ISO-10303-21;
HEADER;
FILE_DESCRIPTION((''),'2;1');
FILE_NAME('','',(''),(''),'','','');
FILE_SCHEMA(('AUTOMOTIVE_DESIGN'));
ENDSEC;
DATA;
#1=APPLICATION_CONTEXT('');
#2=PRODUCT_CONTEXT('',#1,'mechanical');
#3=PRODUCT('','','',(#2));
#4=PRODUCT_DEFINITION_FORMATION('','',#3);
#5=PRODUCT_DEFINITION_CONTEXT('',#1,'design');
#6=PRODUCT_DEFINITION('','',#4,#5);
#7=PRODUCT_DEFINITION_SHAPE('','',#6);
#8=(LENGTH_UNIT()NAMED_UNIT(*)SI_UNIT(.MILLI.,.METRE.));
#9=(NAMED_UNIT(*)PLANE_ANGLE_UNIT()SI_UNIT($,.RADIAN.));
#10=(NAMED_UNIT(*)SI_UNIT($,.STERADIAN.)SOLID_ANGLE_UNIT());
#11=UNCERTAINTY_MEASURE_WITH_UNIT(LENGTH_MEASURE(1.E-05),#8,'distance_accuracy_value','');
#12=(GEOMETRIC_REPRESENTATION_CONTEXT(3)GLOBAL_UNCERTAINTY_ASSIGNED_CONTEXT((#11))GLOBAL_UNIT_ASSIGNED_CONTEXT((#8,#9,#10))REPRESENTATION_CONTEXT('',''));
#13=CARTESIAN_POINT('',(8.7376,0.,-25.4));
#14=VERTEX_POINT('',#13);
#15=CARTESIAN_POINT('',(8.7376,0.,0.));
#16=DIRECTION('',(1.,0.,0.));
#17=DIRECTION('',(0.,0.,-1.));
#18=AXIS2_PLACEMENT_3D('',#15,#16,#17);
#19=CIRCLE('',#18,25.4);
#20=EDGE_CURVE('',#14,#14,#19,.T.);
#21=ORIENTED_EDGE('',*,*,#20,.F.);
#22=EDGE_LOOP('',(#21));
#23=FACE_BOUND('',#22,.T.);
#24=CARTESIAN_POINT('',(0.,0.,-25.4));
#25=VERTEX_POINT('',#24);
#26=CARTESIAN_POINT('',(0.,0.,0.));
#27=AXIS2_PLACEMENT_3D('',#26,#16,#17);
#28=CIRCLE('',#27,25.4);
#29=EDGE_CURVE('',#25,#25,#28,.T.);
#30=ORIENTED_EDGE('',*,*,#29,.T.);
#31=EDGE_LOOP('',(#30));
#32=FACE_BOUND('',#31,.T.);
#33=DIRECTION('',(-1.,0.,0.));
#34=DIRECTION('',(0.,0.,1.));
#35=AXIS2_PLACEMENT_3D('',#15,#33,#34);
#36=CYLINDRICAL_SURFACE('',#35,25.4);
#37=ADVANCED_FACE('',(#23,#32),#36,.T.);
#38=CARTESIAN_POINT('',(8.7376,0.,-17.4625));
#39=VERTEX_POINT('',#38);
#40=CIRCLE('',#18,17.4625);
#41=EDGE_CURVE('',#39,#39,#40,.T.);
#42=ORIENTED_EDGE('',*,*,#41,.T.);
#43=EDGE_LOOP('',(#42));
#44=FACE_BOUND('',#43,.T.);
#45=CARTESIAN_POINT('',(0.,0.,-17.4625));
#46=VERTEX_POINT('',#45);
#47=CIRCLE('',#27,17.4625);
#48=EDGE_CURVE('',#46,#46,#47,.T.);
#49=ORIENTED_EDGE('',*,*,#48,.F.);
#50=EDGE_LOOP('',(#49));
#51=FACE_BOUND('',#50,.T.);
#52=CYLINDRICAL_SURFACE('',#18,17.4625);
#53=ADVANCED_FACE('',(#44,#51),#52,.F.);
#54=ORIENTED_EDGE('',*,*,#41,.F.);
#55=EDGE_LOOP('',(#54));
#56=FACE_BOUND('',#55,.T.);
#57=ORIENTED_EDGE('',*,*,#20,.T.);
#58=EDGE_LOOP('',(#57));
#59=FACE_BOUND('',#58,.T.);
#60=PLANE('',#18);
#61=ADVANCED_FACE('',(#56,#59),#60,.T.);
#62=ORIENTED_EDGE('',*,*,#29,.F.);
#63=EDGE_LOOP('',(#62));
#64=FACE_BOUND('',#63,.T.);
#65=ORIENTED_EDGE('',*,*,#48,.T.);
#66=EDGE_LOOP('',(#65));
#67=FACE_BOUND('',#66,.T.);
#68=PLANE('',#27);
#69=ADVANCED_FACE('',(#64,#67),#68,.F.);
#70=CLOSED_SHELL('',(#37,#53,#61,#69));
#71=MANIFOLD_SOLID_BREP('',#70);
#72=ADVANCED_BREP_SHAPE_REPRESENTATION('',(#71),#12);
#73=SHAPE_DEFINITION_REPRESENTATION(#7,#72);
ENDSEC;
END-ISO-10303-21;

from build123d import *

# Parameters (mm, degrees)
SKETCH1_R                   = 25.4
BOSS_EXTRUDE1_DEPTH         = 8.7376
F_97_1_375_DIAMETER_HOLE1_D = 34.925


with BuildPart() as part:
    # Sketch1 → Boss-Extrude1 (new body)
    with BuildSketch(Plane(origin=(0, 0, 0), x_dir=(0, 0, -1), z_dir=(1, 0, 0))):
        Circle(SKETCH1_R)
    extrude(amount=BOSS_EXTRUDE1_DEPTH)

    # #97 (1.375) Diameter Hole1 (through all)
    with Locations(Plane(origin=(8.7376, 0, 0), x_dir=(0, 0, -1), z_dir=(1, 0, 0))):
        with Locations((0, 0)):
            Hole(F_97_1_375_DIAMETER_HOLE1_D / 2)


solid = part.part
